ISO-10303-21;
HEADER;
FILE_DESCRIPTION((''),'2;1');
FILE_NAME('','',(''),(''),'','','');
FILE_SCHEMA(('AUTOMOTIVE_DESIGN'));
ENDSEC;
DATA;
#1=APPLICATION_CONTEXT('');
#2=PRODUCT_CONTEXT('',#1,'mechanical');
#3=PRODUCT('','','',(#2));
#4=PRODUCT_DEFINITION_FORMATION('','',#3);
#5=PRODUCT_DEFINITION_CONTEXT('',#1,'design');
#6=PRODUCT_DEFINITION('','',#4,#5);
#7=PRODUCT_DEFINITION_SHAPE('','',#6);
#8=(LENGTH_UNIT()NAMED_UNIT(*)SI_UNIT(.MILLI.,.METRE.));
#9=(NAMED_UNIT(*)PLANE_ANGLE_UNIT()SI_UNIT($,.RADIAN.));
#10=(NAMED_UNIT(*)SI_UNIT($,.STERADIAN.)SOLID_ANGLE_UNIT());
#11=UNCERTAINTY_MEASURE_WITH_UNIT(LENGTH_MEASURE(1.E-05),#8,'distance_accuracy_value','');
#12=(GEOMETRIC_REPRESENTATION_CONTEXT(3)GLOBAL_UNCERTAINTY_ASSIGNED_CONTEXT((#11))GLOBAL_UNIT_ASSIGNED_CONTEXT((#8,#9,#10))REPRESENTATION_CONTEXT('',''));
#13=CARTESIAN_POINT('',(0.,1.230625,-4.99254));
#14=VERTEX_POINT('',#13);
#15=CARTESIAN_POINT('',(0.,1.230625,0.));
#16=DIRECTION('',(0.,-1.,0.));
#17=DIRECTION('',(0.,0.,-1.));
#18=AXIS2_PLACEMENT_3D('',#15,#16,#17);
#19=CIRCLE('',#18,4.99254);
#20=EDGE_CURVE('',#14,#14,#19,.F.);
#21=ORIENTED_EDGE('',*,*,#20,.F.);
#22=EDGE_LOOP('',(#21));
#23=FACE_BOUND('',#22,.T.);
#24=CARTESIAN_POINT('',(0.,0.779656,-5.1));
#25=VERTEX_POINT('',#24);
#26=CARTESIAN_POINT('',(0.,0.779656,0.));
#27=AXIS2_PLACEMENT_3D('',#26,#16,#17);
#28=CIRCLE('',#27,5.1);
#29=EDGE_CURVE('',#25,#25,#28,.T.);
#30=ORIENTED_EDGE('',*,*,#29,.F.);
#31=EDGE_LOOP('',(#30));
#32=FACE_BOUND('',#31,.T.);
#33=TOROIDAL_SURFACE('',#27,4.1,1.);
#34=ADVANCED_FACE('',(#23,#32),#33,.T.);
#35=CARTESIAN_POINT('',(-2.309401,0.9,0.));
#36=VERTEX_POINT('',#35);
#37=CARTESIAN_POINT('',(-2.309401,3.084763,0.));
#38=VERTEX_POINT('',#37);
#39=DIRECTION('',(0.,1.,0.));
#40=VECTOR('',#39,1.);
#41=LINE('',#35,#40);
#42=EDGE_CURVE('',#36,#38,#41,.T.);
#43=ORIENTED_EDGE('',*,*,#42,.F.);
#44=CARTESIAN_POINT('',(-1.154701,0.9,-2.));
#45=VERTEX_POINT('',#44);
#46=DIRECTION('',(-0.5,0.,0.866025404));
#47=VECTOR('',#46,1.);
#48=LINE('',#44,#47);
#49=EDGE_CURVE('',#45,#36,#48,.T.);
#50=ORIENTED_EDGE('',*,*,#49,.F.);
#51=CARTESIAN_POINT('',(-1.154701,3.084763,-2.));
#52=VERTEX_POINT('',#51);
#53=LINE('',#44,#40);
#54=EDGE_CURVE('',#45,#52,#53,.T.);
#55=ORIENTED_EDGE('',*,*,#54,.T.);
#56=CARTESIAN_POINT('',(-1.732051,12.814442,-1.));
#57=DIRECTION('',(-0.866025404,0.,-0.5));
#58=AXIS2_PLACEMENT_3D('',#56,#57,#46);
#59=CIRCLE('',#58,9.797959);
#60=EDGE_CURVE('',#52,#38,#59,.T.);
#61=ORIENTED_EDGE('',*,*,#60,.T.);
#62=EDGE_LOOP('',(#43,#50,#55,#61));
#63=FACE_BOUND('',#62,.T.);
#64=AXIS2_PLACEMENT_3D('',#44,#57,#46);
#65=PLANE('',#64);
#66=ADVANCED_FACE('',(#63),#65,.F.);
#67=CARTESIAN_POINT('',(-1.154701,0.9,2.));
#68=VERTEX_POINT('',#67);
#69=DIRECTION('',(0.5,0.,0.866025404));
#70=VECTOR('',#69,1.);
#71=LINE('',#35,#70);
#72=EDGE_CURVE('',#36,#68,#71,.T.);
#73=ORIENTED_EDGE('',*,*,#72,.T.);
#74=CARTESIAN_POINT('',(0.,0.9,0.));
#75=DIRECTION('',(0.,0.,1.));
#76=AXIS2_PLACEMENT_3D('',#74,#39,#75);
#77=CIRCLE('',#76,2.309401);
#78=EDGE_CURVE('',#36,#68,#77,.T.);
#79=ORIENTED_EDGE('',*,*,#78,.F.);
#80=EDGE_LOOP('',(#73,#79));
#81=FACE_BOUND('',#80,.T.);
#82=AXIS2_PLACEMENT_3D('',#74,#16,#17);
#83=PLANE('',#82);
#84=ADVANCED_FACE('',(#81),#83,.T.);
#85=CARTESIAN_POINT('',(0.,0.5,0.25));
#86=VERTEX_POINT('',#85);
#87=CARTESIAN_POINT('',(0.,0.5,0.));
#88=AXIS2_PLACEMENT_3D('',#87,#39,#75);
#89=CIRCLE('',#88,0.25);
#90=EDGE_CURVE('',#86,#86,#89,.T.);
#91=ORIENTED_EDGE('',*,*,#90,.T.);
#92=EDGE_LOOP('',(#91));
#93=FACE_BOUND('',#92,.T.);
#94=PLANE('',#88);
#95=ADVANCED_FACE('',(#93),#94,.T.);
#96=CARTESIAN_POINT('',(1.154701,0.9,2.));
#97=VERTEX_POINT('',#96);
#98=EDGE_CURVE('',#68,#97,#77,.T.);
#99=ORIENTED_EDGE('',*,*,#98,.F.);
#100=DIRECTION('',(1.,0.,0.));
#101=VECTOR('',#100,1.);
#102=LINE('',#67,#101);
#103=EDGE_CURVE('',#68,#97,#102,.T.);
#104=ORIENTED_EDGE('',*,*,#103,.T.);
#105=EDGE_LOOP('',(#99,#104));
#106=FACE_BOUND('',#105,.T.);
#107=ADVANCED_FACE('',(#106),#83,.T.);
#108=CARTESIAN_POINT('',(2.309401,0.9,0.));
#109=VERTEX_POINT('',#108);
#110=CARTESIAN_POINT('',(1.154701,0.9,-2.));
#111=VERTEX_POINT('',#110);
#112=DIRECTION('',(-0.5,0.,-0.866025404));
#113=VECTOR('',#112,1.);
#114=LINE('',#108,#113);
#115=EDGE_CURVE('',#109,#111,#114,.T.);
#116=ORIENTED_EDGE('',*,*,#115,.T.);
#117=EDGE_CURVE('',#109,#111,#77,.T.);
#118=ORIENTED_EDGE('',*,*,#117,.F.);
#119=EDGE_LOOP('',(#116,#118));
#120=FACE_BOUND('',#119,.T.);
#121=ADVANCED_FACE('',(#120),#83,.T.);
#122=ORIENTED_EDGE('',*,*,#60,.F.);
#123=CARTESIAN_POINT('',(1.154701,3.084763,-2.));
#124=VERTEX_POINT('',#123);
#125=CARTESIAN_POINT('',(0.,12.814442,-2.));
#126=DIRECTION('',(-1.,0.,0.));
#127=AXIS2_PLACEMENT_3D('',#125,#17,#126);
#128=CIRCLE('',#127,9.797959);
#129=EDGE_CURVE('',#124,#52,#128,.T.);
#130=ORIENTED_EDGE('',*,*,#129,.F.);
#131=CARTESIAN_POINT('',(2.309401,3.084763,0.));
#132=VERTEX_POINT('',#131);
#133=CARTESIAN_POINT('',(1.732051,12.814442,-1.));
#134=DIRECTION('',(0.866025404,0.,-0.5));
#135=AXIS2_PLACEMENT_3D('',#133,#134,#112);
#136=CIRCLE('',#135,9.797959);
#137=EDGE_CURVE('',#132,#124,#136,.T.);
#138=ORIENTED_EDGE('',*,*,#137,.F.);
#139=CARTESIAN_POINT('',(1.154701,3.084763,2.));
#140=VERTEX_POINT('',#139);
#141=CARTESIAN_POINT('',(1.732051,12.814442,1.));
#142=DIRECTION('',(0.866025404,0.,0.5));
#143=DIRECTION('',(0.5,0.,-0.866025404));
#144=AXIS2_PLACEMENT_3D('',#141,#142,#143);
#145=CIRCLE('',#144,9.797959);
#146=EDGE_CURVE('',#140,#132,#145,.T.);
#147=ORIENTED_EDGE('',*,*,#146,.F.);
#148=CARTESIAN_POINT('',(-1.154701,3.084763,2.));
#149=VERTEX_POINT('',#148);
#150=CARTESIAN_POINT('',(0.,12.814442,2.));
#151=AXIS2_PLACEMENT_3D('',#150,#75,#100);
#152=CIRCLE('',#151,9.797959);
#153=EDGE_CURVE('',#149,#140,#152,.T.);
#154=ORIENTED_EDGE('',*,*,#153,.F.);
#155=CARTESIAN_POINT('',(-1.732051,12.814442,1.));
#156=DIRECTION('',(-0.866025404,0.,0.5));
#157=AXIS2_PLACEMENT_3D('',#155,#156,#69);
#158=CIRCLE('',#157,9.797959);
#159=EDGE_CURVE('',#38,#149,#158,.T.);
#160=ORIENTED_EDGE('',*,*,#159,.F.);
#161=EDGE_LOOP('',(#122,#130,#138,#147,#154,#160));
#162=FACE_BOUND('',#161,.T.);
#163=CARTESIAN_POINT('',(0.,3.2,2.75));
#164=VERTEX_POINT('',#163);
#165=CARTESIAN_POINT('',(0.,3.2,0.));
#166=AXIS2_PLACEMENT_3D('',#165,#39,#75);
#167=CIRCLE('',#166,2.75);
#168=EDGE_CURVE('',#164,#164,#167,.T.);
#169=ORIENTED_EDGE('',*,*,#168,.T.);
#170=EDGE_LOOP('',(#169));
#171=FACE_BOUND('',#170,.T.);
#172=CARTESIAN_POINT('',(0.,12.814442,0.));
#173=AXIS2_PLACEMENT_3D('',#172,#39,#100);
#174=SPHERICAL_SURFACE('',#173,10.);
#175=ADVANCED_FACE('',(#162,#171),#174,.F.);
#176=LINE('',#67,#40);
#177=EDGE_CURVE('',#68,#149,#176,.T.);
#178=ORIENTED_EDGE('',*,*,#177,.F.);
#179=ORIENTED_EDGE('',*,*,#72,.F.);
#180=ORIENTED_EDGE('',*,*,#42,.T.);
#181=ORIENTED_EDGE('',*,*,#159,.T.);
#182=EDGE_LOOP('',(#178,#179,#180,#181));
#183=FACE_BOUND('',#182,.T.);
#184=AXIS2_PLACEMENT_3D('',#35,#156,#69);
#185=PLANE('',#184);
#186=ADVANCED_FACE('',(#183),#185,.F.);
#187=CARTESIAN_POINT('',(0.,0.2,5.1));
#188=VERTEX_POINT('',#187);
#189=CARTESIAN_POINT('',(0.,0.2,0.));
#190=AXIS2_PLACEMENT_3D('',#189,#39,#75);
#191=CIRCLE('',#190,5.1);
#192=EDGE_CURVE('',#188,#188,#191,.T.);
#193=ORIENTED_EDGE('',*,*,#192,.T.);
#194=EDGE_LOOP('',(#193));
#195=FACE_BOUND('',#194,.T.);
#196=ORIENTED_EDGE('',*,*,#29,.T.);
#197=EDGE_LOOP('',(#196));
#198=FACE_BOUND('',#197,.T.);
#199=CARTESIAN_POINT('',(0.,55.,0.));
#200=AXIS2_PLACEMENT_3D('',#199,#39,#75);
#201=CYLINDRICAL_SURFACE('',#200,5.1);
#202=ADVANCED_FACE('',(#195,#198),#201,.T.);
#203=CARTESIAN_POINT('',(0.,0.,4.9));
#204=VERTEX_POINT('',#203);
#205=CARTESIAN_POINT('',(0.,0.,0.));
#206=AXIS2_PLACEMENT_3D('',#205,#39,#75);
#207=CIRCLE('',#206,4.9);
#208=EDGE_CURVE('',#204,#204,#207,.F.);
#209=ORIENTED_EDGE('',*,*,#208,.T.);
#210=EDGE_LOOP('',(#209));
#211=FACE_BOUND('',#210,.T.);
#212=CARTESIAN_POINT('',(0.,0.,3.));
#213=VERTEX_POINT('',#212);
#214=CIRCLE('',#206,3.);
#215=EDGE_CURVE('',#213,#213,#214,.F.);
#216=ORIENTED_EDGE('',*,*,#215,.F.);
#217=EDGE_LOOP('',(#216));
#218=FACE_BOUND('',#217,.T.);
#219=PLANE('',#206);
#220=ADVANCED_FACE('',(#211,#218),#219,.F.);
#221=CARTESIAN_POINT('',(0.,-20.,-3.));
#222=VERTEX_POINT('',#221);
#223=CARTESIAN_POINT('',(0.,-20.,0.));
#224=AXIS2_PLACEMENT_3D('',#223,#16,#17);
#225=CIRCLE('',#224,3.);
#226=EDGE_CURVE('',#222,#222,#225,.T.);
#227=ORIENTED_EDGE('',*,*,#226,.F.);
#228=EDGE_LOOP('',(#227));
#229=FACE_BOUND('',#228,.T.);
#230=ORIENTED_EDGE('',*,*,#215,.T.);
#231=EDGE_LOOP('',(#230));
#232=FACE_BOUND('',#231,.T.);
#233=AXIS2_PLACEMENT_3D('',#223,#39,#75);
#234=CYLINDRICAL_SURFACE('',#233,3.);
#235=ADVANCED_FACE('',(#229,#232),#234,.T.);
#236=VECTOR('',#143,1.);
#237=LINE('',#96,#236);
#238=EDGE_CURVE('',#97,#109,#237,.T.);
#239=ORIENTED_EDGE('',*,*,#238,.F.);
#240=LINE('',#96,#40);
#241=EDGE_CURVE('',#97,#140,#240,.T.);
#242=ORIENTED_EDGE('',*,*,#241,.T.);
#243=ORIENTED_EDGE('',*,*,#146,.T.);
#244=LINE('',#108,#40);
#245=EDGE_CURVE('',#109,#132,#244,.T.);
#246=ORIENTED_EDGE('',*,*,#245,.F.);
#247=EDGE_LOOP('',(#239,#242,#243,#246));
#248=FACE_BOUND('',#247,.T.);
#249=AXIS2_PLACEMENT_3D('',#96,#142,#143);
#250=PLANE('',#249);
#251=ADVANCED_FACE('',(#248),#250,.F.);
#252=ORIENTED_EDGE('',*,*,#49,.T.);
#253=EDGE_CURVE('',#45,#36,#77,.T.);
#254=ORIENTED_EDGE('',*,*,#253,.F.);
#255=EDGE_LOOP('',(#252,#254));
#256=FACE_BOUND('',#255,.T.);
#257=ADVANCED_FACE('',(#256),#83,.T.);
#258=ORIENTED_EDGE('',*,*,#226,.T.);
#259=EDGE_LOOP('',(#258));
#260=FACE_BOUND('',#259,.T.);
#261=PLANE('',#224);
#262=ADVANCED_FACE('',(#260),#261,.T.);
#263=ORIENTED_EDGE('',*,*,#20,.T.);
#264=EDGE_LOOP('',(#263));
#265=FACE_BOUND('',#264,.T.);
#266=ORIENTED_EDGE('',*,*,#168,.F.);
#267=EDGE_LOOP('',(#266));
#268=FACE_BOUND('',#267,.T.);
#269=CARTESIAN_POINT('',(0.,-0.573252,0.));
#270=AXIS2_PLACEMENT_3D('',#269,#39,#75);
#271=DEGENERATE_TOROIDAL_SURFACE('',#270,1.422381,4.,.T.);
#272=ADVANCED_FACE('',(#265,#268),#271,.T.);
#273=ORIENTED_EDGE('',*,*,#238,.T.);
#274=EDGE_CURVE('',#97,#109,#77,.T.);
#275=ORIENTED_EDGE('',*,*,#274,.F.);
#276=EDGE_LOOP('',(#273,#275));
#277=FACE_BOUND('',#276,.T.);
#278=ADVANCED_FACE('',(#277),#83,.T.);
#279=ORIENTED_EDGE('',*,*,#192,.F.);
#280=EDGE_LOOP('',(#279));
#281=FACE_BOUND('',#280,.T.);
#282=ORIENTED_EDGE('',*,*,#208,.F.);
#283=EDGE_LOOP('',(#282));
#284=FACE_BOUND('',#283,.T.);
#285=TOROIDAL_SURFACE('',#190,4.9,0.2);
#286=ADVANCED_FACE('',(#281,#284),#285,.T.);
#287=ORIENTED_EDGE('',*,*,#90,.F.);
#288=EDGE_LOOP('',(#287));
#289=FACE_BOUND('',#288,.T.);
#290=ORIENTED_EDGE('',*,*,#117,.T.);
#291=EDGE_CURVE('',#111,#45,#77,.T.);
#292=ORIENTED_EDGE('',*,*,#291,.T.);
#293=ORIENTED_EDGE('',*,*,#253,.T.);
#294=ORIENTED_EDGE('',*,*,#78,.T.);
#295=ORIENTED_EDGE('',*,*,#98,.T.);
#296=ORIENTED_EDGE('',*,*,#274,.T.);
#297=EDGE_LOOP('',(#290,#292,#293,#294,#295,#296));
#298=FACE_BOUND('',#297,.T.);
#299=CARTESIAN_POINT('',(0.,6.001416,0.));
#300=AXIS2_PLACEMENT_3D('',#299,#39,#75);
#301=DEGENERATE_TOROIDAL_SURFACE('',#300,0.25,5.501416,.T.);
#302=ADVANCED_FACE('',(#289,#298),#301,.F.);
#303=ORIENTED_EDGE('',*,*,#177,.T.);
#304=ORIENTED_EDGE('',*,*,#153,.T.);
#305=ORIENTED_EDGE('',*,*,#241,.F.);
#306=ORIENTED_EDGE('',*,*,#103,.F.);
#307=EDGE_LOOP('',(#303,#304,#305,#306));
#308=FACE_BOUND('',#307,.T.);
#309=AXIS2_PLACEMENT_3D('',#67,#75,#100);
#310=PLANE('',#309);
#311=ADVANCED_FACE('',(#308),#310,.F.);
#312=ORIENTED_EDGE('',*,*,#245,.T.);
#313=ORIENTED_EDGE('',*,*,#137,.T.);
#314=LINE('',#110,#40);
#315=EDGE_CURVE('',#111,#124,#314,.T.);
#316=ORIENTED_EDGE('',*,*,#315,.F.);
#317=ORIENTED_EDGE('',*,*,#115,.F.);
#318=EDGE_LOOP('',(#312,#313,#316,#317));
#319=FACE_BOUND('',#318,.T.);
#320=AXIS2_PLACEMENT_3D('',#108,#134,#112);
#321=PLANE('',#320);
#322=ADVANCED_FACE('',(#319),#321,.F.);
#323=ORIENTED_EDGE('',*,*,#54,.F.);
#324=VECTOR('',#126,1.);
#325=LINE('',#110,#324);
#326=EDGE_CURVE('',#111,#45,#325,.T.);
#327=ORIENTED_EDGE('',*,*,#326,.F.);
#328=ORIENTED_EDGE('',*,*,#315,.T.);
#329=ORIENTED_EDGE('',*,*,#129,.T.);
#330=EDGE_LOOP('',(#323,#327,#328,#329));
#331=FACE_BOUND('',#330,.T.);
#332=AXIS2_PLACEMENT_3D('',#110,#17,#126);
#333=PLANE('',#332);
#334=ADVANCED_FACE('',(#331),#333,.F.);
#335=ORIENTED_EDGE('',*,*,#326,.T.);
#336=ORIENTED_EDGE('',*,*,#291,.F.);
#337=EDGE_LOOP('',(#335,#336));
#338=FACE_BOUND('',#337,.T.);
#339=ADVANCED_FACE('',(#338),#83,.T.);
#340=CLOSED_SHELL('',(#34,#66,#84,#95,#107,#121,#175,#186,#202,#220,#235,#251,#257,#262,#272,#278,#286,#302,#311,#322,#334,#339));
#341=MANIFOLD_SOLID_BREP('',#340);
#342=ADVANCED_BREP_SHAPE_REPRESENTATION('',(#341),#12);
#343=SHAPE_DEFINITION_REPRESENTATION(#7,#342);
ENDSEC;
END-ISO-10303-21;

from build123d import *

# Parameters (mm, degrees)
FILLET1_R           = 0.2
FILLET2_R           = 1
SKETCH2_R           = 3
BOSS_EXTRUDE1_DEPTH = 20
CUT_EXTRUDE1_DEPTH  = 2.3


with BuildPart() as part:
    # Sketch1 → Revolve1 (revolve)
    with BuildSketch(Plane.XY):
        with BuildLine():
            Line((0, 0), (5.1, 0))
            Line((5.1, 0), (5.1, 1))
            ThreePointArc((5.1, 1), (4.1560785, 2.346833852), (2.75, 3.2))
            Line((2.75, 3.2), (0, 3.2))
            Line((0, 3.2), (0, 0))
        make_face()
    revolve(axis=Axis((0, 55, 0), (0, -1, 0)))

    # Fillet1
    fillet1_edges = [part.edges().sort_by_distance(p)[0] for p in [
        (-5.1, 0, 0),
    ]]
    fillet(fillet1_edges, radius=FILLET1_R)

    # Fillet2
    fillet2_edges = [part.edges().sort_by_distance(p)[0] for p in [
        (-5.1, 1, 0),
    ]]
    fillet(fillet2_edges, radius=FILLET2_R)

    # Sketch2 → Boss-Extrude1 (add)
    with BuildSketch(Plane.XZ):
        Circle(SKETCH2_R)
    extrude(amount=BOSS_EXTRUDE1_DEPTH)

    # Sketch6 → Revolve2 (revolve)
    with BuildSketch(Plane.XY):
        Polygon((0, 0), (0, 3.2), (2.75, 3.2), (4.9, 0), align=None)
    revolve(axis=Axis((0, 55, 0), (0, -1, 0)))

    # Sketch7 → Cut-Extrude1 (cut)
    with BuildSketch(Plane(origin=(0, 3.2, 0), x_dir=(1, 0, 0), z_dir=(0, 1, 0))):
        Polygon((1.154700538, -2), (2.309401077, 0), (1.154700538, 2), (-1.154700538, 2), (-2.309401077, 0), (-1.154700538, -2), align=None)
    extrude(amount=-CUT_EXTRUDE1_DEPTH, mode=Mode.SUBTRACT)

    # Sketch8 → Cut-Revolve1 (revolve, cut)
    with BuildSketch(Plane.XY):
        with BuildLine():
            Line((0, 0.9), (0, 0.5))
            Line((0, 0.5), (0.25, 0.5))
            ThreePointArc((0.25, 0.5), (1.298943849, 0.600925763), (2.309401077, 0.9))
            Line((2.309401077, 0.9), (0, 0.9))
        make_face()
    revolve(axis=Axis((0, 55, 0), (0, -1, 0)), mode=Mode.SUBTRACT)

    # Sketch9 → Cut-Revolve2 (revolve, cut)
    with BuildSketch(Plane.XY):
        with BuildLine():
            ThreePointArc((0, 2.814442262), (1.388448304, 2.911300775), (2.75, 3.2))
            Line((2.75, 3.2), (0, 3.2))
            Line((0, 3.2), (0, 2.814442262))
        make_face()
    revolve(axis=Axis((0, 55, 0), (0, -1, 0)), mode=Mode.SUBTRACT)


solid = part.part
